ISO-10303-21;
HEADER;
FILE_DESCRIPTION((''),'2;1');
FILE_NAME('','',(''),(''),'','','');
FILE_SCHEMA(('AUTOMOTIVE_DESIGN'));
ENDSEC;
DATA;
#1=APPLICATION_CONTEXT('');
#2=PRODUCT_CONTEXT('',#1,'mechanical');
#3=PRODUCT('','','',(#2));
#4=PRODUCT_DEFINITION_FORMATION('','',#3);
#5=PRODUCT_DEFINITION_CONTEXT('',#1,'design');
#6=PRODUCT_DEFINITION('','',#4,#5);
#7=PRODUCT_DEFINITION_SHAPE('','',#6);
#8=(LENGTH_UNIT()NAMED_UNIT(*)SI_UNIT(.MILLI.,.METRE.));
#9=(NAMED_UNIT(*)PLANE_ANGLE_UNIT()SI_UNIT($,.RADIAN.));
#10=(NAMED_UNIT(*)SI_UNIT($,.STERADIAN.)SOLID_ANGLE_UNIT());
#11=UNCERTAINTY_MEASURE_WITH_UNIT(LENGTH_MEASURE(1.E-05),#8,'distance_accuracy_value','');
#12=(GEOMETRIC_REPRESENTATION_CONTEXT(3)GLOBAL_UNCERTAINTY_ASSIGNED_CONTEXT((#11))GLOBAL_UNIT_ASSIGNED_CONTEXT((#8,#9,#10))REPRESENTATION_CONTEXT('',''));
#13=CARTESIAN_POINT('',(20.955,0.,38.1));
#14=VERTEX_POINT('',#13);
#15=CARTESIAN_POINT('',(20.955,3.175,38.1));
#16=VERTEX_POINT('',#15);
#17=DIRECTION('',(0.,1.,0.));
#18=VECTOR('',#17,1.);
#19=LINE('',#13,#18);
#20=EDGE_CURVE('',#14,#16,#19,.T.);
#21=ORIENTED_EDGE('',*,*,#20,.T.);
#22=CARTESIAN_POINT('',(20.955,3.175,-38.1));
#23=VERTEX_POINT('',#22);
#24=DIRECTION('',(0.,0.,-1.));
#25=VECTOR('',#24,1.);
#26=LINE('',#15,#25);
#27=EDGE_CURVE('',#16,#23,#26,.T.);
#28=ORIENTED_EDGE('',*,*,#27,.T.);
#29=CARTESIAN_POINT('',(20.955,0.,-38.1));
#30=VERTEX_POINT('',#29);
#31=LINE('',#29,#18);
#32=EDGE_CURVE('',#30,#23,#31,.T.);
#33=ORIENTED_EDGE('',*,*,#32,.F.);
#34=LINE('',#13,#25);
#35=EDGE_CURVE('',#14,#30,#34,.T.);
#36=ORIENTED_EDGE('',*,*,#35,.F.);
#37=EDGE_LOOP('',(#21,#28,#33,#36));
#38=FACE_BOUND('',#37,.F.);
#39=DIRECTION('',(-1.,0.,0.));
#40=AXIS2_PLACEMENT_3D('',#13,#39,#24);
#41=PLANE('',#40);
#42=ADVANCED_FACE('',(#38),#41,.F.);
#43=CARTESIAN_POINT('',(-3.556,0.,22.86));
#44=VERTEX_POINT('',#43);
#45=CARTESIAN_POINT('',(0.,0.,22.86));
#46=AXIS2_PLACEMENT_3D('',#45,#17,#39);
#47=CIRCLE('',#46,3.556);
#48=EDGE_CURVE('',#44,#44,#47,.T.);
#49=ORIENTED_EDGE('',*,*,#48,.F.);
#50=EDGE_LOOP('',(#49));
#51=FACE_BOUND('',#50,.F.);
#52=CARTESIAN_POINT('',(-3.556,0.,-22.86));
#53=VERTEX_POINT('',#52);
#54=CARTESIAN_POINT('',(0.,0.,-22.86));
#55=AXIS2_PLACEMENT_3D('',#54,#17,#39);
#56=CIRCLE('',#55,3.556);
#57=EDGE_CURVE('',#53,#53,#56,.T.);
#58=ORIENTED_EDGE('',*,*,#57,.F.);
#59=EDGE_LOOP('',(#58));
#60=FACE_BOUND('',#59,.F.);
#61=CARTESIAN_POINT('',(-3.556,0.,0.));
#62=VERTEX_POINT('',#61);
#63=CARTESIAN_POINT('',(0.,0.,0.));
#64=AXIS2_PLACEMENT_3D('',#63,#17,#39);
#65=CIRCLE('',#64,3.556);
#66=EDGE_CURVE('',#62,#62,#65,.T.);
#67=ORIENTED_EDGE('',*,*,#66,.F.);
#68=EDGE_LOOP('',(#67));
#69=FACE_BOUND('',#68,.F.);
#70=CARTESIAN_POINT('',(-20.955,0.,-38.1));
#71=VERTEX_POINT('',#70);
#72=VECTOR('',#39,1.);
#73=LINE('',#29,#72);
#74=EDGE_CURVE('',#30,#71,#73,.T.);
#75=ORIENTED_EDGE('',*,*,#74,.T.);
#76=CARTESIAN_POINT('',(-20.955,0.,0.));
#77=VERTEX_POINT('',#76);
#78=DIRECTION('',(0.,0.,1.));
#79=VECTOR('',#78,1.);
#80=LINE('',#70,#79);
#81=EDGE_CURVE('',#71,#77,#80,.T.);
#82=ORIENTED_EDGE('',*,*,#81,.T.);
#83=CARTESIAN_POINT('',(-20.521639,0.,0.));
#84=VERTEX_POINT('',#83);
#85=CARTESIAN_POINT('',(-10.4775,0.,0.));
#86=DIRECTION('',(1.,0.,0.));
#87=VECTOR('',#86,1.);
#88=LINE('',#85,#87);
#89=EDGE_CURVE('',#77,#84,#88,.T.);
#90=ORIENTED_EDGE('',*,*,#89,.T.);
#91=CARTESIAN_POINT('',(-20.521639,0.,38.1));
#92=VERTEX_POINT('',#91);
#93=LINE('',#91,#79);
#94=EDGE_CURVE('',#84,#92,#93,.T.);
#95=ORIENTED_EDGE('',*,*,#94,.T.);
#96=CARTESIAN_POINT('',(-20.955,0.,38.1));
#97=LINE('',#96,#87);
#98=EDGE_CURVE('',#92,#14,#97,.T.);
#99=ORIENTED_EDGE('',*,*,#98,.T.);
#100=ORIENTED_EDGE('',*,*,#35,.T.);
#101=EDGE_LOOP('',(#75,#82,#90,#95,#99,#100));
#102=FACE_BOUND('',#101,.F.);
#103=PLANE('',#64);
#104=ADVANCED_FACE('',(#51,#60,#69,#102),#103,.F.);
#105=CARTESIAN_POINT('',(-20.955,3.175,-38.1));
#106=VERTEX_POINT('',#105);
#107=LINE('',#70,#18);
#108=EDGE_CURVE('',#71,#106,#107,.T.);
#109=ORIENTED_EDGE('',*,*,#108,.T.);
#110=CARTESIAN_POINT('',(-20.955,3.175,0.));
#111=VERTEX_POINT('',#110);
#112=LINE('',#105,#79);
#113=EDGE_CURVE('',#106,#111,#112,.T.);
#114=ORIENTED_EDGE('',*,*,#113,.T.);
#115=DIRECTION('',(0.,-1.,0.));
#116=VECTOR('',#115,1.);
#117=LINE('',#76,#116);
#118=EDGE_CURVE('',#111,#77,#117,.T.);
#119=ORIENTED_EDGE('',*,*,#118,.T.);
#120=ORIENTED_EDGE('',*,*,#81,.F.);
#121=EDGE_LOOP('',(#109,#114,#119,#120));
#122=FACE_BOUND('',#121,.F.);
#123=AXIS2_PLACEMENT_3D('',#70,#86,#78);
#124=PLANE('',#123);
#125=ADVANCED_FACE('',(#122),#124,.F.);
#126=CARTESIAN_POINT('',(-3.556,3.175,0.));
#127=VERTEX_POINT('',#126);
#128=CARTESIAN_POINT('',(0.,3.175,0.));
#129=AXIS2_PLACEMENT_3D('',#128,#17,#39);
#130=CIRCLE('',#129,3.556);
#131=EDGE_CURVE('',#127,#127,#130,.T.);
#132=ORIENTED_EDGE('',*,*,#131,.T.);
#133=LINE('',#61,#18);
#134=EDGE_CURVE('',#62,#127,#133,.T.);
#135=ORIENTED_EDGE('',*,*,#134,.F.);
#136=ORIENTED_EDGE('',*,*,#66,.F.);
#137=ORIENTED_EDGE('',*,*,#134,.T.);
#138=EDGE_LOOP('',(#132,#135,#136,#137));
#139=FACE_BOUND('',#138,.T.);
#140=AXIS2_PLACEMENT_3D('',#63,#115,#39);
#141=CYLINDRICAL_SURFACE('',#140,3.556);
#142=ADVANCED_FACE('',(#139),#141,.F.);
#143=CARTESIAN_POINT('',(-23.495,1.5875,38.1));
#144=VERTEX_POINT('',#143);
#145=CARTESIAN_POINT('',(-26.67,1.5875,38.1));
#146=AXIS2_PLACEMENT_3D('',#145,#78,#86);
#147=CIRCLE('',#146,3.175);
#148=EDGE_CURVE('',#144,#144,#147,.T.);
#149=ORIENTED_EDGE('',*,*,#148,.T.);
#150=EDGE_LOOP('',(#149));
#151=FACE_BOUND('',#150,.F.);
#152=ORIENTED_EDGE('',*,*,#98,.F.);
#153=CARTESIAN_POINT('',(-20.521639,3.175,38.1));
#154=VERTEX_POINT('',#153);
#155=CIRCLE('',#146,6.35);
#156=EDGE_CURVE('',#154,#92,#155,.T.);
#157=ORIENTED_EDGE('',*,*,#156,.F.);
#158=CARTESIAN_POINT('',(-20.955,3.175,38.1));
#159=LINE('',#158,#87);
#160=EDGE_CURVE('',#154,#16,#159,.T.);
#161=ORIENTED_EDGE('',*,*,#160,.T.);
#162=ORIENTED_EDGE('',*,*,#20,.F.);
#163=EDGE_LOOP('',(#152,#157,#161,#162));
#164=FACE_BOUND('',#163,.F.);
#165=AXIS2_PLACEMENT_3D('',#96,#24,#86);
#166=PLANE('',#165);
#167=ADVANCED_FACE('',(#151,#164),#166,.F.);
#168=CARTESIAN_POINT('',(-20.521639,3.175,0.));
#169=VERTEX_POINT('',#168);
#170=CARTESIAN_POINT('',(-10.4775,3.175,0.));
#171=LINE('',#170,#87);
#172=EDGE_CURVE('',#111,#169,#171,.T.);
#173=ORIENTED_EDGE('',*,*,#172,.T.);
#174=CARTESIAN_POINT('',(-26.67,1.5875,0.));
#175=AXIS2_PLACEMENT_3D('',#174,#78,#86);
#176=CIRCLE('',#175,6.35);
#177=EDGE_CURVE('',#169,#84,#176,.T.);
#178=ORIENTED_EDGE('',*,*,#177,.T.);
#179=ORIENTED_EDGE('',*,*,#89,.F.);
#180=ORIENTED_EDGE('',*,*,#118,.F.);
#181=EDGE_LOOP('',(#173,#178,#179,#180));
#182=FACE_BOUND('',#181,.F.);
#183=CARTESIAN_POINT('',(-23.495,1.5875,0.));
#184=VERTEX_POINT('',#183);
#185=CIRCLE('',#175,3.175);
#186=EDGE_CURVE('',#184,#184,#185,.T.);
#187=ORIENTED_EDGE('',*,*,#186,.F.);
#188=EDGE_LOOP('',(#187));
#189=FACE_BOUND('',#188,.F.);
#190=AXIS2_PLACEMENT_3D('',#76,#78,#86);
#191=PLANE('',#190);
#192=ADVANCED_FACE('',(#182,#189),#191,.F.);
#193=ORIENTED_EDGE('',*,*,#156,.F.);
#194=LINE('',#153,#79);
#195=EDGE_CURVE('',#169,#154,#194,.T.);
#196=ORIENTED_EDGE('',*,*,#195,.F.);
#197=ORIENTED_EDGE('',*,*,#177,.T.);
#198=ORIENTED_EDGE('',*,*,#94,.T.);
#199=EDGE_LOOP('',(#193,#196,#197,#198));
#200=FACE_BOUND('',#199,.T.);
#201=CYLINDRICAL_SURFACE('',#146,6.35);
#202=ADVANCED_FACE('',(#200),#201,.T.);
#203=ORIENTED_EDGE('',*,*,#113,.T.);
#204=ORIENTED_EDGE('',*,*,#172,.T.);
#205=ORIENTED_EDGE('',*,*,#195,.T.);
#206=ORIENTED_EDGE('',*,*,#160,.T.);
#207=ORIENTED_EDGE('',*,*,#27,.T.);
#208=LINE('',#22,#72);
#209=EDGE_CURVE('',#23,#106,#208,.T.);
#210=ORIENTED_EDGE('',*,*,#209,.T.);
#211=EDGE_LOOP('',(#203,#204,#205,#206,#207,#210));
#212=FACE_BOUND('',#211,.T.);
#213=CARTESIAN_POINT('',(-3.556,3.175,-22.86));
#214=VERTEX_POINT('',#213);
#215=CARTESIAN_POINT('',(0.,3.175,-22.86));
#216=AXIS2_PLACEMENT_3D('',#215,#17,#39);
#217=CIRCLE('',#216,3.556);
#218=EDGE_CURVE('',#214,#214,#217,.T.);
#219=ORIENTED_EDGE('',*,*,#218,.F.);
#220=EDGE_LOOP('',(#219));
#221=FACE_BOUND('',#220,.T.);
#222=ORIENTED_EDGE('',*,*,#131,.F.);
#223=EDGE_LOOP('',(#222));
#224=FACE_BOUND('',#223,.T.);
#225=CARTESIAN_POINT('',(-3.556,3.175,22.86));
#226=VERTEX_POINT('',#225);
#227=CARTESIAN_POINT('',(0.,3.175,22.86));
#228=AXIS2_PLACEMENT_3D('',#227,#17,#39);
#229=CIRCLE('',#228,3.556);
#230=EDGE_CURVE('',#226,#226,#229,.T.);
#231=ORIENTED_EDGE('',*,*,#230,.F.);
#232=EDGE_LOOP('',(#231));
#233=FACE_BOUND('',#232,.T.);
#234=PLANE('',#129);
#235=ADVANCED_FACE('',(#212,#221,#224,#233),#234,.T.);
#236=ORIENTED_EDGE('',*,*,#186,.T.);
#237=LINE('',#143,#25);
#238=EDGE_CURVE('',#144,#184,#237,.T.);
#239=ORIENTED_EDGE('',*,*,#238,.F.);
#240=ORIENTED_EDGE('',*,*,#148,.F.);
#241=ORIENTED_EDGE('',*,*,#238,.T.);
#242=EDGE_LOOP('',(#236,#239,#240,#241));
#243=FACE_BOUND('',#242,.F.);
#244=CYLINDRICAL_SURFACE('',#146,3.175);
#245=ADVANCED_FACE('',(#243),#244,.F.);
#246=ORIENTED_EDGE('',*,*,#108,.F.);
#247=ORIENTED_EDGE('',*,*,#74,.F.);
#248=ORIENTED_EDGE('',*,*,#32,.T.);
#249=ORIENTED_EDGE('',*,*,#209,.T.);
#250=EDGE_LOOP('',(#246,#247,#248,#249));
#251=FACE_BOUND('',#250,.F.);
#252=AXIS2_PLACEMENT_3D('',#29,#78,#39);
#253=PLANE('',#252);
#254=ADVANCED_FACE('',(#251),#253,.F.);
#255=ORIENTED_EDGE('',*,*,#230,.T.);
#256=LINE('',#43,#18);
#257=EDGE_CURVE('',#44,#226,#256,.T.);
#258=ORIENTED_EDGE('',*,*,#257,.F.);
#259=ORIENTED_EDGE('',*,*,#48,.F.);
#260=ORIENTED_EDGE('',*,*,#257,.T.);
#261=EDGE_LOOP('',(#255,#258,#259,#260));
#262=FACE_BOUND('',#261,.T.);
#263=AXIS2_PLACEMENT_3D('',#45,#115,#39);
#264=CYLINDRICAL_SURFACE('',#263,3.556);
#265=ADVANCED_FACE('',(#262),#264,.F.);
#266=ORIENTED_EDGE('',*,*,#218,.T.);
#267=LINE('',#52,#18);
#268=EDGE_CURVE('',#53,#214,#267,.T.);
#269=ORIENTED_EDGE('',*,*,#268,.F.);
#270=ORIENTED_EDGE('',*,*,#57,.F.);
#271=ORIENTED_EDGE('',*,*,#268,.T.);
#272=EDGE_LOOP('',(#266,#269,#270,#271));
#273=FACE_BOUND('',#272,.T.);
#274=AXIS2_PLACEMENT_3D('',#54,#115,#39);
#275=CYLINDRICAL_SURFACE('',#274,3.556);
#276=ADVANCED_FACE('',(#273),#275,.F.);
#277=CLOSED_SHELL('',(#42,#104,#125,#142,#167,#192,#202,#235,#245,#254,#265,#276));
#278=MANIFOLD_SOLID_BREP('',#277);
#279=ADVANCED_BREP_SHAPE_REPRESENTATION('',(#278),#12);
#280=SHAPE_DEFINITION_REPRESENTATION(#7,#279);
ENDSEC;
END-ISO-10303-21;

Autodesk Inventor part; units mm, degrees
ref_plane "YZ Plane" through (0, 0, 0) normal (1, 0, 0) x (0, 1, 0)
ref_plane "XZ Plane" through (0, 0, 0) normal (0, 1, 0) x (-1, 0, 0)
ref_plane "XY Plane" through (0, 0, 0) normal (0, 0, 1) x (1, 0, 0)
sketch "Sketch1" plane through (0, 0, 0) normal (0, 1, 0) x (-1, 0, 0)
  line L0 (20.955, 38.1) -> (-20.955, 38.1)
  line L1 (-20.955, 38.1) -> (-20.955, -38.1)
  line L2 (-20.955, -38.1) -> (20.955, -38.1)
  line L3 (20.955, -38.1) -> (20.955, 38.1)
  line L4 (20.955, 38.1) -> (-20.955, -38.1) construction
  line L5 (-20.955, 38.1) -> (20.955, -38.1) construction
  circle A0 centre (0, -22.86) radius 3.556
  circle A1 centre (0, 0) radius 3.556
  line L6 (10.16, 22.86) -> (-10.16, 22.86) construction
  line L7 (-10.16, 22.86) -> (-10.16, -22.86) construction
  line L8 (-10.16, -22.86) -> (10.16, -22.86) construction
  line L9 (10.16, -22.86) -> (10.16, 22.86) construction
  line L10 (10.16, 22.86) -> (-10.16, -22.86) construction
  line L11 (-10.16, 22.86) -> (10.16, -22.86) construction
  circle A2 centre (0, 22.86) radius 3.556
  point P0 (0, -22.86)
  dimension "d0" = 76.2
  dimension "d1" = 41.91
  dimension "d2" = 7.112
  dimension "d3" = 7.112
  dimension "d4" = 7.112
  dimension "d12" = 45.72
  dimension "d13" = 20.32
extrude "Extrusion1" add sketch "Sketch1" along normal blind 3.175
sketch "Sketch2" plane through (-20.955, 0, 38.1) normal (0, 0, 1) x (1, 0, 0)
  circle A0 centre (-5.715, 1.5875) radius 3.175
  line L0 (0, 0) -> (0, 3.175) projected
  circle A1 centre (-5.715, 1.5875) radius 6.35
  point P0 (20.955, 0)
  dimension "d7" = 6.35
  dimension "d8" = 5.715
  dimension "d11" = 12.7
extrude "Extrusion2" add sketch "Sketch2" against normal blind 38.1
properties part number "leaf"
